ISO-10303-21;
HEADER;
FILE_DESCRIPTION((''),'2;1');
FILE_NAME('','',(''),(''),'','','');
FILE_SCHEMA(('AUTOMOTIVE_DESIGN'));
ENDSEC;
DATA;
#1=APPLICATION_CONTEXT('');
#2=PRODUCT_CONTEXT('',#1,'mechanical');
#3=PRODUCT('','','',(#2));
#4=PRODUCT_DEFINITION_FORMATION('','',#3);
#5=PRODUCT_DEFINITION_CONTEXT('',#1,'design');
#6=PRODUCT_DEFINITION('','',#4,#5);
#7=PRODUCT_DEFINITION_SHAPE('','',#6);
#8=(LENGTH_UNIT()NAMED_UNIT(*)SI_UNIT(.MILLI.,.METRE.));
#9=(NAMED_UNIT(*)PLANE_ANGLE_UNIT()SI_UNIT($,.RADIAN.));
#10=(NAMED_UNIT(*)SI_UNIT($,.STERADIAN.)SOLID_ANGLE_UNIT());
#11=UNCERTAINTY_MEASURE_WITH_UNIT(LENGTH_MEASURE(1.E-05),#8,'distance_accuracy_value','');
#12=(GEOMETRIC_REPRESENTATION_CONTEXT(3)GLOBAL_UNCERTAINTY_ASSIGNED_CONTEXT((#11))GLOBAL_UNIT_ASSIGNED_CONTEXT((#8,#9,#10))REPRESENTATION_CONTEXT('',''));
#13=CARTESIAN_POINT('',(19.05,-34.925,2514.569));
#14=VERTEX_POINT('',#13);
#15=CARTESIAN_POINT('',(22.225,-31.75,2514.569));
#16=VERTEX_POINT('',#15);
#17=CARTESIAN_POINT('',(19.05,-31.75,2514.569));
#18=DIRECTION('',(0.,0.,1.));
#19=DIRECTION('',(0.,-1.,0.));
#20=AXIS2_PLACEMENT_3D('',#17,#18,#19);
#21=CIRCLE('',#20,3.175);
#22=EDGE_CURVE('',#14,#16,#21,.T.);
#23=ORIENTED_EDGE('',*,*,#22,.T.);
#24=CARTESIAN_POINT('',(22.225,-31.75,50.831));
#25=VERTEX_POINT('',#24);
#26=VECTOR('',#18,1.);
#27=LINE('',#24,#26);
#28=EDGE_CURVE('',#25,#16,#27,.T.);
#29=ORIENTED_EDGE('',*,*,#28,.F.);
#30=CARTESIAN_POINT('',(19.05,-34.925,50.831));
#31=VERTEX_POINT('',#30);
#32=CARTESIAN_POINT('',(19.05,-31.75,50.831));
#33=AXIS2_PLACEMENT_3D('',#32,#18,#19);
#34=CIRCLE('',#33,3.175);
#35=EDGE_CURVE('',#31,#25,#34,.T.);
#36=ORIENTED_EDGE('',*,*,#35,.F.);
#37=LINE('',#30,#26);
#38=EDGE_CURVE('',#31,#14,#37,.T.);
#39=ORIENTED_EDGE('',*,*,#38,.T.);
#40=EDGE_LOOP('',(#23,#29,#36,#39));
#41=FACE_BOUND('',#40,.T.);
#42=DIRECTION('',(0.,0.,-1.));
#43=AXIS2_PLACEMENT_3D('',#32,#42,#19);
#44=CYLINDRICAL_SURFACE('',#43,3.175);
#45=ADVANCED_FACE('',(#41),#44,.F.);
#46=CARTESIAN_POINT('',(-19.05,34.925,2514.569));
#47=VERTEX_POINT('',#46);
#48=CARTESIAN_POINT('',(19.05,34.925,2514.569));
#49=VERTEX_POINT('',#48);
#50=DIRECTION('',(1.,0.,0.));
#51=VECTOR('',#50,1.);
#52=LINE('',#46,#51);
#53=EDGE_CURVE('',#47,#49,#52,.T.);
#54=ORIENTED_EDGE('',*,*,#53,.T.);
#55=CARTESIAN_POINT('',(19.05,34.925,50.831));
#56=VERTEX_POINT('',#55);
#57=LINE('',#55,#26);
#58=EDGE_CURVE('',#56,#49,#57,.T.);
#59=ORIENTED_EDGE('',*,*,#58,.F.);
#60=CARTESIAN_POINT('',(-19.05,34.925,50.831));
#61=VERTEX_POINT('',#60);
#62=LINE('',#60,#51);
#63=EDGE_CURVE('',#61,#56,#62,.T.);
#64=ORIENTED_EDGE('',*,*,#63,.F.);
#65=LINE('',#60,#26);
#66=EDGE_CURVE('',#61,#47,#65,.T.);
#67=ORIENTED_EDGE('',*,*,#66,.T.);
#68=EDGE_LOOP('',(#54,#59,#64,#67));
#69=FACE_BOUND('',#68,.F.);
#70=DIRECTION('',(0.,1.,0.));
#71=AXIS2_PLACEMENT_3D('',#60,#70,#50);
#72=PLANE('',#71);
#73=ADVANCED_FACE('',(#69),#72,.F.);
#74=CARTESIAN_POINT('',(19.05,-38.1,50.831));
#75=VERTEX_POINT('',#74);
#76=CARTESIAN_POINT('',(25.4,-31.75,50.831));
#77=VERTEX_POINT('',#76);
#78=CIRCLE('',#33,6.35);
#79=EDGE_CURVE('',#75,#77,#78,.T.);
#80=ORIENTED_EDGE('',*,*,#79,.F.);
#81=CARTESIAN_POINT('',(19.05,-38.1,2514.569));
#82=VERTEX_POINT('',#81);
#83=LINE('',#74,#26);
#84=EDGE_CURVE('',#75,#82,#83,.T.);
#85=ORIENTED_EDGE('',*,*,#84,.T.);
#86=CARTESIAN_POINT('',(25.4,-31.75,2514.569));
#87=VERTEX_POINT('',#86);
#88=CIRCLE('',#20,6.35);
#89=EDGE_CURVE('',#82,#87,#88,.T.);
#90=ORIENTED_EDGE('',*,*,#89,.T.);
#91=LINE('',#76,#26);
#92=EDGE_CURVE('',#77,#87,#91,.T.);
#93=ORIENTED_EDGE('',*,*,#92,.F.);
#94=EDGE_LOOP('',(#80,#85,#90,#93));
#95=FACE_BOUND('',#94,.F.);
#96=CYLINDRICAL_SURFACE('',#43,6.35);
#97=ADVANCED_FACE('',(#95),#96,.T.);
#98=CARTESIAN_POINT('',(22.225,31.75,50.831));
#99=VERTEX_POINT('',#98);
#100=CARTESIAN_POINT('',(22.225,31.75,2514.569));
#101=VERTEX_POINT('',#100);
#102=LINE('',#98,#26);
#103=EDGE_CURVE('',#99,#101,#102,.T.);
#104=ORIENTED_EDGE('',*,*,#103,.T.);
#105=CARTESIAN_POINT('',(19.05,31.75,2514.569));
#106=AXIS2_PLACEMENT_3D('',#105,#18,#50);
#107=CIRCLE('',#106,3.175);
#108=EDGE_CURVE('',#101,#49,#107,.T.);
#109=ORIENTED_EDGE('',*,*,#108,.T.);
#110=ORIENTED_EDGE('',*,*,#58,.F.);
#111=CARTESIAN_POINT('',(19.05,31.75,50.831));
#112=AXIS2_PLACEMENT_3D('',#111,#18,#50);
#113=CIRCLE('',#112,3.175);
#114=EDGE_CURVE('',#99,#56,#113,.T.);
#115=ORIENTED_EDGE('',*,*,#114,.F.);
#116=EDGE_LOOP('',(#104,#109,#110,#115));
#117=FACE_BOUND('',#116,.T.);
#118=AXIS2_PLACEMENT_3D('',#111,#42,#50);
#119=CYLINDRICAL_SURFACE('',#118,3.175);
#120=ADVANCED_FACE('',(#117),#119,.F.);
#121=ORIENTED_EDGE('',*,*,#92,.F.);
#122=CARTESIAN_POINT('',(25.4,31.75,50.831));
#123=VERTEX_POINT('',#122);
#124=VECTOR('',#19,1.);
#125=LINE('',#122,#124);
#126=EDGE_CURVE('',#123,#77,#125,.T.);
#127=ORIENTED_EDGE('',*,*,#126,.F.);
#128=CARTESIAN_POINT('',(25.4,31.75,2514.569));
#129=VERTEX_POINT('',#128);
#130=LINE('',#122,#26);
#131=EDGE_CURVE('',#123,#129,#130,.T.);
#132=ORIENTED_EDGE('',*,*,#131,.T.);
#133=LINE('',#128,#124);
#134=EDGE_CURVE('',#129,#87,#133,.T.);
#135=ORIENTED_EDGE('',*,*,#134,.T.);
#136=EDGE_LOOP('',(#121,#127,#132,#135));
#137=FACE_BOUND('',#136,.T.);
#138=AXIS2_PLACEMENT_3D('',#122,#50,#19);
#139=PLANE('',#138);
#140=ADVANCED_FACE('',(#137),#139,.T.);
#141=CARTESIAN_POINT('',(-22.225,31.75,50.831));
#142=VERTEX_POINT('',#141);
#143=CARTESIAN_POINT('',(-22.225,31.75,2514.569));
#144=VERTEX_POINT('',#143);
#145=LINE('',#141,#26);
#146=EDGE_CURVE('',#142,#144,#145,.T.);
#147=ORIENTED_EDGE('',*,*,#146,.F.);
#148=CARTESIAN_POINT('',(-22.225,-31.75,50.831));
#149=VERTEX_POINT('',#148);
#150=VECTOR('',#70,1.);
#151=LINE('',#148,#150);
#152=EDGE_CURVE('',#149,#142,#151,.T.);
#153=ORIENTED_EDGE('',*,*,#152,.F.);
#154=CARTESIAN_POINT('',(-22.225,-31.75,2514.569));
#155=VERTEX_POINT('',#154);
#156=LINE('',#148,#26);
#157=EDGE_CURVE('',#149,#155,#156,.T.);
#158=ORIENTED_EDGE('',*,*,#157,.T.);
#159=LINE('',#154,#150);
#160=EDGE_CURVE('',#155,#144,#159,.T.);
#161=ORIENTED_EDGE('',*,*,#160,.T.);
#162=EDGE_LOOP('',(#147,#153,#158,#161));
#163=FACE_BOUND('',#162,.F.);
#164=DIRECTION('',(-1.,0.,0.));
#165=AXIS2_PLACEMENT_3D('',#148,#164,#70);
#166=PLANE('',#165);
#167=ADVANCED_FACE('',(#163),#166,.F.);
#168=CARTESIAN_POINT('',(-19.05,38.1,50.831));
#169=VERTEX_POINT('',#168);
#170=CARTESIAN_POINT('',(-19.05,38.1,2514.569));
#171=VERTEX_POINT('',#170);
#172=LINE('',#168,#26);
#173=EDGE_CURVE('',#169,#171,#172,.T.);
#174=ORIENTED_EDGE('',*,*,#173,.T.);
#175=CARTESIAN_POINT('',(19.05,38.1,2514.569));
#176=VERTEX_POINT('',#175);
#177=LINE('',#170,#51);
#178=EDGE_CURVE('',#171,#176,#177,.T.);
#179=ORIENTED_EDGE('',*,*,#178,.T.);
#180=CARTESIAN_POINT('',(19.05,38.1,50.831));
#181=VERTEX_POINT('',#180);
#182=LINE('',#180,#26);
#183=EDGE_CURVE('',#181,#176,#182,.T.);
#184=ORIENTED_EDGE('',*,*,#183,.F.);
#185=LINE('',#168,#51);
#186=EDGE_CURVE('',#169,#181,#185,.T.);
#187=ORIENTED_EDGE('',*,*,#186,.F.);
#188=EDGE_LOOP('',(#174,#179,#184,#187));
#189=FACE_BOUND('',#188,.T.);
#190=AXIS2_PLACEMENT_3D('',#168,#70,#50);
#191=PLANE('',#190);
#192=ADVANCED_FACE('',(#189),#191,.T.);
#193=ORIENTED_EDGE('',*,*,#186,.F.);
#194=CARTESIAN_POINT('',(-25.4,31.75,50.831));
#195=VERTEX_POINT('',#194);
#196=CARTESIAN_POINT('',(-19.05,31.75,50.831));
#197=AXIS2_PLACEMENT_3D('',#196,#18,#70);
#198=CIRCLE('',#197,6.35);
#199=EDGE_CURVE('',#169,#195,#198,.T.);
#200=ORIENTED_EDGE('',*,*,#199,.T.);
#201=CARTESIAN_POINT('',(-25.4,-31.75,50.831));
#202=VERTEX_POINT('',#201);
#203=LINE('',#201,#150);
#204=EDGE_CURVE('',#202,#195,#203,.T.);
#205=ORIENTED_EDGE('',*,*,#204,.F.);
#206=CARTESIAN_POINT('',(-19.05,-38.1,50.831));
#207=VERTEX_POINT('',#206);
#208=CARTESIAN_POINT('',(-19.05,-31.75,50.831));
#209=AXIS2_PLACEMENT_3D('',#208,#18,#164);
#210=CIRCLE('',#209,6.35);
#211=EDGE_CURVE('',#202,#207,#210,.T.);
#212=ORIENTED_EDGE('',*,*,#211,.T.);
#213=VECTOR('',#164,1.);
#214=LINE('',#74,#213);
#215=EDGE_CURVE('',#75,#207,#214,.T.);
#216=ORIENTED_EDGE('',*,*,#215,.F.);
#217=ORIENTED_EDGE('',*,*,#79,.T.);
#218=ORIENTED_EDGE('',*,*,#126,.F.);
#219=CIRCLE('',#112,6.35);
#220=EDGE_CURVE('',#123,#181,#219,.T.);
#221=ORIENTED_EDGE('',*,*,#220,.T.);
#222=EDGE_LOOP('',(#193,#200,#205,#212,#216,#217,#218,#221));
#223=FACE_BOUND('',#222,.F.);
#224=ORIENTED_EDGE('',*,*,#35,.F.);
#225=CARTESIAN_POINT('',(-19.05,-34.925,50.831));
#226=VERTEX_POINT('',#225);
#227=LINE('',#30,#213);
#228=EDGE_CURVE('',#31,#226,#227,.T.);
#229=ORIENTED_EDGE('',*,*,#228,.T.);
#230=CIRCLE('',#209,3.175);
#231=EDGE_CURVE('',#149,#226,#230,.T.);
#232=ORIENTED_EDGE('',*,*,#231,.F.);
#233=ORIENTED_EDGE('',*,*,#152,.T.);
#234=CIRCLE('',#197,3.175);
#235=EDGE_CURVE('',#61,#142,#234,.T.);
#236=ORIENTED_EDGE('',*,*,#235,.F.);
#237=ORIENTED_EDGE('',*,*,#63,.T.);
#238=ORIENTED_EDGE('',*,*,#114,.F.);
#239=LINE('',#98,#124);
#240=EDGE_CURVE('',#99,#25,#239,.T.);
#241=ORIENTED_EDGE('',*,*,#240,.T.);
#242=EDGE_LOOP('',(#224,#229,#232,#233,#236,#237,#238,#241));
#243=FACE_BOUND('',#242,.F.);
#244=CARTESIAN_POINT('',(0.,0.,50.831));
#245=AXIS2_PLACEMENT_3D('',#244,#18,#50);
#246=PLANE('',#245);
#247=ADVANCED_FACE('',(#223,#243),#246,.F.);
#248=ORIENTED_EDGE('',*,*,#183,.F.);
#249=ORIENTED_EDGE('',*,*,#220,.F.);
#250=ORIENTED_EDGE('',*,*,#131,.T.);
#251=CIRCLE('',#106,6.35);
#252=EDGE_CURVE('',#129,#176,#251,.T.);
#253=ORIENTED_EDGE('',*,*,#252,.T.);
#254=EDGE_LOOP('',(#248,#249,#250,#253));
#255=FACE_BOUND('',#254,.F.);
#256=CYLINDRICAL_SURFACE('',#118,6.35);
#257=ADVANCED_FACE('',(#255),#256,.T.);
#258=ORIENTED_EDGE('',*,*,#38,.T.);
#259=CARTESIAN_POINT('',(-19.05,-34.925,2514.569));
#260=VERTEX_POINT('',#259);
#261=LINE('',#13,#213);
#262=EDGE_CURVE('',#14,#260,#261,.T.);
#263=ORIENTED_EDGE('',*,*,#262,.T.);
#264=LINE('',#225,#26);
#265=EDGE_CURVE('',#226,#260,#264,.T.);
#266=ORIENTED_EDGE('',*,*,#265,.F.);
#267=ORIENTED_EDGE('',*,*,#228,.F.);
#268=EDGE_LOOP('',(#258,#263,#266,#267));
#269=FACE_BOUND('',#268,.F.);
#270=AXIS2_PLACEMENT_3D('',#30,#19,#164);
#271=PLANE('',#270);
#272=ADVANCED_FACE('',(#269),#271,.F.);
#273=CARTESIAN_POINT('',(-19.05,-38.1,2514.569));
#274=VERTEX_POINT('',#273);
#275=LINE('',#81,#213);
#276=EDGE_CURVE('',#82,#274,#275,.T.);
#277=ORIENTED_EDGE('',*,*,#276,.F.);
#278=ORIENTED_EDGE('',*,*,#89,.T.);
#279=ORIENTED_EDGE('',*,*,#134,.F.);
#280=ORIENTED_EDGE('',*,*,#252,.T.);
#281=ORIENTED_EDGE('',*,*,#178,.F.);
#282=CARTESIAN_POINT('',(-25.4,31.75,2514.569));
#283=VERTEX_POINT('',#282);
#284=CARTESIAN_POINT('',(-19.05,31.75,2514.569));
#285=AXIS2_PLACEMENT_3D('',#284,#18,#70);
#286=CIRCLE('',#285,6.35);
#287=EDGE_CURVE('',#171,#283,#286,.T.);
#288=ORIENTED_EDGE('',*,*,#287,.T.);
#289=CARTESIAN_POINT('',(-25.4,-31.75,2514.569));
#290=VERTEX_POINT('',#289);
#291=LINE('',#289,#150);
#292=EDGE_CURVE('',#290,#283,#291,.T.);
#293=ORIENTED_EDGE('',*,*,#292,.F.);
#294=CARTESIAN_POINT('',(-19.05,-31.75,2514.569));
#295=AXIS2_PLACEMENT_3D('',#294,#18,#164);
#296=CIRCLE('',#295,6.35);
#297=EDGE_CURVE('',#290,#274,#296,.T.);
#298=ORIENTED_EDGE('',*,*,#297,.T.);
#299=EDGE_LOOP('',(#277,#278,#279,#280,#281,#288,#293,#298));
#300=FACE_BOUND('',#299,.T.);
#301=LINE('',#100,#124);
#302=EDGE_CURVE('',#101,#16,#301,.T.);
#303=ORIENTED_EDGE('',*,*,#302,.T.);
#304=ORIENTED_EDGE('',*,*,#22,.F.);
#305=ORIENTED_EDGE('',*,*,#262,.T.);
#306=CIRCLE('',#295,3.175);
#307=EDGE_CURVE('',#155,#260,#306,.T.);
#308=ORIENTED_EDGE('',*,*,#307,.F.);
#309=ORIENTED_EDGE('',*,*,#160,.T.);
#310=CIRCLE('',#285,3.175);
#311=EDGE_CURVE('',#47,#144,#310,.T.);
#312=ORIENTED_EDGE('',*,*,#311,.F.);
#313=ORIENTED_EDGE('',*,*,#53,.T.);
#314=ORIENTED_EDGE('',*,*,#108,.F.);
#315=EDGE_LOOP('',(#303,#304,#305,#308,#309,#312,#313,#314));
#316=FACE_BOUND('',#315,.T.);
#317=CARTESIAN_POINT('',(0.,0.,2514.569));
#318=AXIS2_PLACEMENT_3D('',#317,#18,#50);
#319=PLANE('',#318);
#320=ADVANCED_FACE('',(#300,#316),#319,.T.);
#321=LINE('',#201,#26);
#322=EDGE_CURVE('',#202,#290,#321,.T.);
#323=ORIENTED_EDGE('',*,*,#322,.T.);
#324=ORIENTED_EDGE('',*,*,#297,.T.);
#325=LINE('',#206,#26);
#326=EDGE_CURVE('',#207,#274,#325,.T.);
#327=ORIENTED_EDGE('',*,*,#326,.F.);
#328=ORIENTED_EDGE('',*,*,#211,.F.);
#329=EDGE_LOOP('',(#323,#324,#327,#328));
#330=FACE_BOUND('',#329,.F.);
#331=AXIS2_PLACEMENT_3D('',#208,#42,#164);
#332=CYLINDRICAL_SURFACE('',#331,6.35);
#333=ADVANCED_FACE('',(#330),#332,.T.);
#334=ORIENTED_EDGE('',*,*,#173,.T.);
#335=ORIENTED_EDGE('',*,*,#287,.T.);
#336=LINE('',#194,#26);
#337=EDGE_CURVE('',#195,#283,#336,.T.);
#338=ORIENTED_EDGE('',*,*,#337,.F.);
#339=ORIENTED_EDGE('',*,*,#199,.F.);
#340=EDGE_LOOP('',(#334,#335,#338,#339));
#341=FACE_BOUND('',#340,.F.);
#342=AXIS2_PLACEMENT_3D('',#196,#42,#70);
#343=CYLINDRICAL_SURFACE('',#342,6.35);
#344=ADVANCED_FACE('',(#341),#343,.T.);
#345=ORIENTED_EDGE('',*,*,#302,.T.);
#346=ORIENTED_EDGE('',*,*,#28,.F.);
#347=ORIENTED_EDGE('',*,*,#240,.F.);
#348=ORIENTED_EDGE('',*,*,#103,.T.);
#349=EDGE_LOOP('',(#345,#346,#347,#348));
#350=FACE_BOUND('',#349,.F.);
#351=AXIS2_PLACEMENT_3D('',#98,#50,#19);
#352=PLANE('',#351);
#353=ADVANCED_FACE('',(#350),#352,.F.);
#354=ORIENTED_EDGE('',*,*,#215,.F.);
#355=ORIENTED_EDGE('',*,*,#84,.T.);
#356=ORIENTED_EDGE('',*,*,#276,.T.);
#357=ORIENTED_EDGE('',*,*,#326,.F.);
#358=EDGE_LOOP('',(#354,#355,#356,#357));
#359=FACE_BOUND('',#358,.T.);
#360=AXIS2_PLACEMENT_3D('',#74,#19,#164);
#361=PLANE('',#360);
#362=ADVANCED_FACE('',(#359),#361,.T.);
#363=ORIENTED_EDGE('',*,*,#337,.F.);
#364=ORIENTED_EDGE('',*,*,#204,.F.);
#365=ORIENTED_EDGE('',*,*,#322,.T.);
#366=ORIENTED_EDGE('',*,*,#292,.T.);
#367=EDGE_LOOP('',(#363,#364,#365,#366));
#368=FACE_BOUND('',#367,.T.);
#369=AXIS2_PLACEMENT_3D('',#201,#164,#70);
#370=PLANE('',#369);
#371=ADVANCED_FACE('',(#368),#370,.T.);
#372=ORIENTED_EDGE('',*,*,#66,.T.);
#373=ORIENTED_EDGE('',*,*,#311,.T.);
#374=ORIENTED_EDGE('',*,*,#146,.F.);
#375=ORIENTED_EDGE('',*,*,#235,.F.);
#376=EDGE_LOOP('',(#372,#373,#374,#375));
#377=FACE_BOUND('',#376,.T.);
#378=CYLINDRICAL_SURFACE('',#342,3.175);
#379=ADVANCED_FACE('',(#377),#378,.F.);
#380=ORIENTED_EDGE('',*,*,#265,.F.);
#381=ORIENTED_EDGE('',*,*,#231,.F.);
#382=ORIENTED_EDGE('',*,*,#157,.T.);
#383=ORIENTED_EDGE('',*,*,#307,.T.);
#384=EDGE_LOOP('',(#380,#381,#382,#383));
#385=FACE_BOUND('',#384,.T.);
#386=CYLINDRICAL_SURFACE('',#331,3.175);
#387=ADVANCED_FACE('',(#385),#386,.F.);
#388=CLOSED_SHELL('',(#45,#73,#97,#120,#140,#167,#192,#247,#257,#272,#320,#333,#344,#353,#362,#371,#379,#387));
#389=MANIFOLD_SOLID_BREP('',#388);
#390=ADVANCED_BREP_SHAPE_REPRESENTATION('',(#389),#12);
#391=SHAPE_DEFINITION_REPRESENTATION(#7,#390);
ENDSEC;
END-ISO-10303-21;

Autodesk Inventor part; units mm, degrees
ref_plane "Start Plane" through (0, 0, 50.831) normal (0, 0, 1) x (1, 0, 0)
ref_plane "End Plane" through (0, 0, 2514.569) normal (0, 0, 1) x (1, 0, 0)
sketch "Sketch" plane through (0, 0, 0) normal (0, 0, 1) x (1, 0, 0)
  line L0 (-25.4, -31.75) -> (-25.4, 31.75)
  line L1 (-19.05, 38.1) -> (19.05, 38.1)
  line L2 (25.4, 31.75) -> (25.4, -31.75)
  line L3 (19.05, -38.1) -> (-19.05, -38.1)
  arc A0 (-25.4, -31.75) -> (-19.05, -38.1) centre (-19.05, -31.75) ccw
  arc A1 (-19.05, 38.1) -> (-25.4, 31.75) centre (-19.05, 31.75) ccw
  arc A2 (25.4, 31.75) -> (19.05, 38.1) centre (19.05, 31.75) ccw
  arc A3 (19.05, -38.1) -> (25.4, -31.75) centre (19.05, -31.75) ccw
  arc A4 (-19.05, 34.925) -> (-22.225, 31.75) centre (-19.05, 31.75) ccw
  line L4 (-19.05, 34.925) -> (19.05, 34.925)
  arc A5 (22.225, 31.75) -> (19.05, 34.925) centre (19.05, 31.75) ccw
  line L5 (22.225, 31.75) -> (22.225, -31.75)
  arc A6 (19.05, -34.925) -> (22.225, -31.75) centre (19.05, -31.75) ccw
  line L6 (19.05, -34.925) -> (-19.05, -34.925)
  arc A7 (-22.225, -31.75) -> (-19.05, -34.925) centre (-19.05, -31.75) ccw
  line L7 (-22.225, -31.75) -> (-22.225, 31.75)
  line L8 (0, 55.1812) -> (0, -55.1812) construction
  line L9 (-37.4012, 0) -> (37.4012, 0) construction
  dimension "d10" = 76.2
  dimension "d11" = 50.8
  dimension "d12" = 3.175
  dimension "d15" = 38.1
  dimension "d16" = 25.4
  dimension "d17" = 6.35
extrude "Body" add sketch "Sketch" along normal up to surface (2463.738 mm away) from surface at 50.831
sketch "Sketch3" plane through (0, 0, 0) normal (0, 0, 1) x (1, 0, 0)
  line L0 (0, 0) -> (10, 0)
ref_plane "Work Plane3" through (0, 0, 0) normal (0, -1, 0) x (1, 0, 0)
ref_plane "Work Plane4" through (660.4, 31.75, 50.831) normal (0, 0, -1) x (-1, 0, 0)
split "Split1" plane through (660.4, 31.75, 50.831) removes the side toward (0, 0, -1)
ref_plane "Work Plane5" through (660.4, -31.75, 2514.569) normal (0, 0, 1) x (1, 0, 0)
split "Split2" plane through (660.4, -31.75, 2514.569) removes the side toward (0, 0, 1)
sketch "Sketch4" plane through (0, 0, 0) normal (0, -1, 0) x (1, 0, 0)
  line L0 (-2, 50.831) -> (12, 50.831) projected
  line L1 (-2, 2514.569) -> (12, 2514.569) projected
  dimension "d19" = 2463.738
equation "\"d10\" = G_H"
equation "\"d11\" = G_W"
equation "\"d12\" = G_T"
equation "\"d15\" = 0.5 * d10"
equation "\"d16\" = 0.5 * d11"
equation "\"d17\" = G_IR"
equation "\"d3\" = G_L"
equation "\"G_W\" = 50.8"
equation "\"G_H\" = 76.2"
equation "\"G_T\" = 3.175"
equation "\"G_IR\" = 6.35"
equation "\"G_L\" = d19"
equation "\"G_OFFSET_START\" = -50.831"
equation "\"G_OFFSET_END\" = -50.831"
equation "\"d13\" = -G_OFFSET_START"
equation "\"d14\" = G_OFFSET_END + B_L"
equation "\"B_L\" = 2565.4"
properties part number "AISC - 3 x 2 x 1/8 - 96.998" material "Steel, Mild"
